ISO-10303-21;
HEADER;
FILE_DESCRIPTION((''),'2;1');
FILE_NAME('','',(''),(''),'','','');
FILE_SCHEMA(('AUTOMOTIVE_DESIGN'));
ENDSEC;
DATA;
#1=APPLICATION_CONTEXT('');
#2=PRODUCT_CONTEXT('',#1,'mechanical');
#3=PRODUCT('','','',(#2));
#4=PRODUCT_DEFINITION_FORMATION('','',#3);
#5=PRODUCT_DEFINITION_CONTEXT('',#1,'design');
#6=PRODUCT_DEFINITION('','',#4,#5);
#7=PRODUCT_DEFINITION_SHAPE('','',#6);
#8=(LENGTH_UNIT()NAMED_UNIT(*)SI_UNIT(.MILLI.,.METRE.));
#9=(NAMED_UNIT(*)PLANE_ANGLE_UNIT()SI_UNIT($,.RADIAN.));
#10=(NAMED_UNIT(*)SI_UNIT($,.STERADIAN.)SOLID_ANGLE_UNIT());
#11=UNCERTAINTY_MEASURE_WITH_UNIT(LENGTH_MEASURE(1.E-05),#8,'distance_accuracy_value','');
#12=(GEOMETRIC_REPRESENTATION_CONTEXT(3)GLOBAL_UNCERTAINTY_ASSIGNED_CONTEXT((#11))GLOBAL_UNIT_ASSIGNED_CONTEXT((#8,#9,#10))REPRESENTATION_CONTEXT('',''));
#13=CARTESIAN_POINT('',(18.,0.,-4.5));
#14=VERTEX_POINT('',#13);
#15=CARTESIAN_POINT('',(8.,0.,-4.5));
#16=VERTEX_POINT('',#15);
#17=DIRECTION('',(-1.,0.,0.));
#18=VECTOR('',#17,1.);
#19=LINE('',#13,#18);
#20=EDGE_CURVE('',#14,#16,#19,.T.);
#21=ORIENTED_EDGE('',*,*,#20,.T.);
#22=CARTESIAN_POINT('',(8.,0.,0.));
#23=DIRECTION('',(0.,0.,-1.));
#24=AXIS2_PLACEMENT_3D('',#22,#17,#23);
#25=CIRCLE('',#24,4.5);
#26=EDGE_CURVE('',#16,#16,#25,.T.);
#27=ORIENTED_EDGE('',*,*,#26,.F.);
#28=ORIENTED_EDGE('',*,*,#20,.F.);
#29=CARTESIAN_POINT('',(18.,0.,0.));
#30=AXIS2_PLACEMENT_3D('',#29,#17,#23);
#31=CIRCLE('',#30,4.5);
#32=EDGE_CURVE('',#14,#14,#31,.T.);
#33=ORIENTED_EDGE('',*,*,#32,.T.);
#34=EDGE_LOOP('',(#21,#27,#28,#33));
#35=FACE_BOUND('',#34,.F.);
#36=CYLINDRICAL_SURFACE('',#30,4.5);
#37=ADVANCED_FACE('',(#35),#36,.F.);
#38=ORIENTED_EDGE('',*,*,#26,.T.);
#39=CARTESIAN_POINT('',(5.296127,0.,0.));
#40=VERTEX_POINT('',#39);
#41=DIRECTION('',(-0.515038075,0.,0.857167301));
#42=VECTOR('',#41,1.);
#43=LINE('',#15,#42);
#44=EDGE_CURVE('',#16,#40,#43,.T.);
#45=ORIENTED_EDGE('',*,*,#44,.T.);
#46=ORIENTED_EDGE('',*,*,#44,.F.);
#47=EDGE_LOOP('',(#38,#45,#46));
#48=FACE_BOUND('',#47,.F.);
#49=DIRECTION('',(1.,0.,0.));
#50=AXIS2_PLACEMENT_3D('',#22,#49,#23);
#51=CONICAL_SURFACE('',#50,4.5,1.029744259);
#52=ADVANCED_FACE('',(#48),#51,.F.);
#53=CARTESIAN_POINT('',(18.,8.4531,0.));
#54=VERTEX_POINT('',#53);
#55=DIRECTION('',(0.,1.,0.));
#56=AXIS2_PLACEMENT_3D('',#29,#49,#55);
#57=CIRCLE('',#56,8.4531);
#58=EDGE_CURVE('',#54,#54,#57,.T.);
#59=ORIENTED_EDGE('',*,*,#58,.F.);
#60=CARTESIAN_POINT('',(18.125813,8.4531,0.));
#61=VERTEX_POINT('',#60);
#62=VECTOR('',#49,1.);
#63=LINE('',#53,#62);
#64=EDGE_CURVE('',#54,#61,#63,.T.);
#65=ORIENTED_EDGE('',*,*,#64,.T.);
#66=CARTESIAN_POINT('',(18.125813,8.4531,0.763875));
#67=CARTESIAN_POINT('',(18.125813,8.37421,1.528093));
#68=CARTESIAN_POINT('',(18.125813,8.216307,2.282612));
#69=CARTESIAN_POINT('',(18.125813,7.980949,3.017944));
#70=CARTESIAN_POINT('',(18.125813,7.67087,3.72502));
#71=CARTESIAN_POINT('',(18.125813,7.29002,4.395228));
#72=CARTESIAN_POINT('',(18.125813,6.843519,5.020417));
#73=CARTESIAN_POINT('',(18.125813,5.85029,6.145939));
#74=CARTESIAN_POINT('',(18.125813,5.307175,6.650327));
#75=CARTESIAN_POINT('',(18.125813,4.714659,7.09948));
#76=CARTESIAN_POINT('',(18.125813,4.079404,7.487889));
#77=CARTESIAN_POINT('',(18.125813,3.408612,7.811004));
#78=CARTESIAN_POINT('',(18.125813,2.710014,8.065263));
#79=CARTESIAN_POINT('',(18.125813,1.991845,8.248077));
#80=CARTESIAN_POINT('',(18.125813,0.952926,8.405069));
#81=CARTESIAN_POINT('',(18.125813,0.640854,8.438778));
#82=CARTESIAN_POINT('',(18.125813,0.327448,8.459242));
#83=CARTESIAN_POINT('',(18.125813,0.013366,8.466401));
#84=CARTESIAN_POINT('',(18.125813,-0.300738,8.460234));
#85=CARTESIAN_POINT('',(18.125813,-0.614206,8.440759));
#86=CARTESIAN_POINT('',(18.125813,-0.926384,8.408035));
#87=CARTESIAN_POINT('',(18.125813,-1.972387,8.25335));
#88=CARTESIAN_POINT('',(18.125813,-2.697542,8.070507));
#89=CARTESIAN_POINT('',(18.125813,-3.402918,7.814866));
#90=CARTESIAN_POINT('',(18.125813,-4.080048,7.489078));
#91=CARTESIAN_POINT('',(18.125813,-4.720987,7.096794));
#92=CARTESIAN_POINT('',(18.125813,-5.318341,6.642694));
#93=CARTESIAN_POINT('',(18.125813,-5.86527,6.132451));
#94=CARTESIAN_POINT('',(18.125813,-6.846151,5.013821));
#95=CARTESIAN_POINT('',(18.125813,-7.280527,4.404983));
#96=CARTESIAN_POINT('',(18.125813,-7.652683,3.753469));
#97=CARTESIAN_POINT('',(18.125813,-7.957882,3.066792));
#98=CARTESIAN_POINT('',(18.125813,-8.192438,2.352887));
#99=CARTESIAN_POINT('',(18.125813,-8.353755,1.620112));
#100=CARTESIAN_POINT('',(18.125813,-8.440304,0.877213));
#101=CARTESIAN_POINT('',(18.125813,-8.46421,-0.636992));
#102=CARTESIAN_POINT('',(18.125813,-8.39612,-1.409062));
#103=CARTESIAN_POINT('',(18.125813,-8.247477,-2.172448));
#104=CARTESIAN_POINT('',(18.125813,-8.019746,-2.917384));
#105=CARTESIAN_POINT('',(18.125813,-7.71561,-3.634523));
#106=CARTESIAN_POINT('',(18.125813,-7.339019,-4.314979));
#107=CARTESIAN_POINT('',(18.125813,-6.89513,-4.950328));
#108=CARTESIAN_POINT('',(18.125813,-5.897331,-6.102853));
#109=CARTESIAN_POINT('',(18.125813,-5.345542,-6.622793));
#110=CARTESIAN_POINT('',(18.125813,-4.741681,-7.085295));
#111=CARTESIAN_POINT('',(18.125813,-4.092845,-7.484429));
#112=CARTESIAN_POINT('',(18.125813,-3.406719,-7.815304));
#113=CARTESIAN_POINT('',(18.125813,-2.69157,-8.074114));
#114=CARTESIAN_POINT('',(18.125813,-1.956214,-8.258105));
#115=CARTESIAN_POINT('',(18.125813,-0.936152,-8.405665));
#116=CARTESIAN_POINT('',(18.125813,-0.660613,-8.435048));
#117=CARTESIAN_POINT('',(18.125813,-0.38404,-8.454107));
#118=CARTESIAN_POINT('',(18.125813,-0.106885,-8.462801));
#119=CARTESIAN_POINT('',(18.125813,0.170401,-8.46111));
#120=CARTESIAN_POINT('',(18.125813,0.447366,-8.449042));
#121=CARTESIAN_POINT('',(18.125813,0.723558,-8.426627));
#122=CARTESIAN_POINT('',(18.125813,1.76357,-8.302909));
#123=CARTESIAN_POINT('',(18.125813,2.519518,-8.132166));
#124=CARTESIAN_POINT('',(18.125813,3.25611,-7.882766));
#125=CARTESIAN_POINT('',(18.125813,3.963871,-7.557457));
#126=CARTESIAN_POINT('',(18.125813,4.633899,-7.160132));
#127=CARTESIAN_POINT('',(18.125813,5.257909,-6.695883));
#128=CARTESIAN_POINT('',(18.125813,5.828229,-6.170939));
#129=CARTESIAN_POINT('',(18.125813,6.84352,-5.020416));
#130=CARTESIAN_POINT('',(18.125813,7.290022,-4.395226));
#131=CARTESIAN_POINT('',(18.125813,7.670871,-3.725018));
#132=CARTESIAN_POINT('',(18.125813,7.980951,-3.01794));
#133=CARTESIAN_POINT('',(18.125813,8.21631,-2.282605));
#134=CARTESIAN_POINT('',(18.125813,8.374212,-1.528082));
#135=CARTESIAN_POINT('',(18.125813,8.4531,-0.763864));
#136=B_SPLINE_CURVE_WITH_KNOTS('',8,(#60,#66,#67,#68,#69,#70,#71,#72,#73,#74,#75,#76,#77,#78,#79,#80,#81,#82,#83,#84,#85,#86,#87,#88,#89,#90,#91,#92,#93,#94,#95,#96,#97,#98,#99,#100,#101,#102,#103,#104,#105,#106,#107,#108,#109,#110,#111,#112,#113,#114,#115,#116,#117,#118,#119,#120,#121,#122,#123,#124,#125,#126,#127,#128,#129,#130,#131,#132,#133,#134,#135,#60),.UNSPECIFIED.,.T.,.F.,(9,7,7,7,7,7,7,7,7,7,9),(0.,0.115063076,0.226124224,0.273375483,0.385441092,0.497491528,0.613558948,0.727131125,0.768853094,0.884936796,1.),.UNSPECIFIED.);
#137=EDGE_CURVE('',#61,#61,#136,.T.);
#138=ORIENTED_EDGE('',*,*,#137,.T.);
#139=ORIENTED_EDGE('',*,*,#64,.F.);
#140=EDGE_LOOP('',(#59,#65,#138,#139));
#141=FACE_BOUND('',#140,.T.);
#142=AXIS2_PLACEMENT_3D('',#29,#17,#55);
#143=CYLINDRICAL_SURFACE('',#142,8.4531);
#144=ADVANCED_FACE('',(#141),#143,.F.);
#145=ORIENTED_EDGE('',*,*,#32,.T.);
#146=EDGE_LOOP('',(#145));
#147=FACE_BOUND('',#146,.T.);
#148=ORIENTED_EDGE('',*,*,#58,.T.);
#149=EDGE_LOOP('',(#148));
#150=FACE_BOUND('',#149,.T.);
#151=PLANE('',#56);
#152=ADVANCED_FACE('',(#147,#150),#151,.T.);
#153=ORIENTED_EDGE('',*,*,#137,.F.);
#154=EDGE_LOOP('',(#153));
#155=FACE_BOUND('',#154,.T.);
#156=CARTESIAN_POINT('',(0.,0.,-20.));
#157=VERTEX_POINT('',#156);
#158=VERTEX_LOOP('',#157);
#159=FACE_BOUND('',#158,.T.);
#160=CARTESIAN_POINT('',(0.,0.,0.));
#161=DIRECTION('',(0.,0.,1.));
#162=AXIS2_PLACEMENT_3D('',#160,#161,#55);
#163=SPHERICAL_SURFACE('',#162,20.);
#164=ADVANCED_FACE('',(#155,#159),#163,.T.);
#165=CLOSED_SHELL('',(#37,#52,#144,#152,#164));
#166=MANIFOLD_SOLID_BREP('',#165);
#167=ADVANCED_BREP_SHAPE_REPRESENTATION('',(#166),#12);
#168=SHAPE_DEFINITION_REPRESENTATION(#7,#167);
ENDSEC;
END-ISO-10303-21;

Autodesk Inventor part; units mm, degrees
ref_plane "XZ Plane" through (0, 0, 0) normal (0, 1, 0) x (-1, 0, 0)
ref_plane "XY Plane" through (0, 0, 0) normal (0, 0, 1) x (1, 0, 0)
sketch "Sketch3" plane through (0, 0, 0) normal (1, 0, 0) x (0, 1, 0)
  arc A0 (0, -20) -> (0, 20) centre (0, 0) ccw
  line L0 (0, 20) -> (0, -20)
  line L1 (0, -28) -> (0, 28) projected
  dimension "d15" = 20
revolve "Revolution4" add sketch "Sketch3" angle 360 about axis through (0, 0, -10) along (0, 0, 1)
ref_plane "Work Plane2" through (18, 0, 0) normal (1, 0, 0) x (0, 1, 0)
sketch "Sketch4" plane through (18, 0, 0) normal (1, 0, 0) x (0, 1, 0)
  circle A0 centre (0, 0) radius 8.4531
  circle A1 centre (0, 0) radius 4.5
  dimension "d20" = 9
extrude "Extrusion4" cut sketch "Sketch4" along normal through all contours A0 | A1
hole "Hole1" at (18, 0, 0) direction (-1, 0, 0) diameter 9 depth 10 tip angle 118
thread "Thread1" size "M10x1" class "6H" standard "ANSI Metric M Profile" length 56
properties part number "Knob" material "Iron, Cast"
